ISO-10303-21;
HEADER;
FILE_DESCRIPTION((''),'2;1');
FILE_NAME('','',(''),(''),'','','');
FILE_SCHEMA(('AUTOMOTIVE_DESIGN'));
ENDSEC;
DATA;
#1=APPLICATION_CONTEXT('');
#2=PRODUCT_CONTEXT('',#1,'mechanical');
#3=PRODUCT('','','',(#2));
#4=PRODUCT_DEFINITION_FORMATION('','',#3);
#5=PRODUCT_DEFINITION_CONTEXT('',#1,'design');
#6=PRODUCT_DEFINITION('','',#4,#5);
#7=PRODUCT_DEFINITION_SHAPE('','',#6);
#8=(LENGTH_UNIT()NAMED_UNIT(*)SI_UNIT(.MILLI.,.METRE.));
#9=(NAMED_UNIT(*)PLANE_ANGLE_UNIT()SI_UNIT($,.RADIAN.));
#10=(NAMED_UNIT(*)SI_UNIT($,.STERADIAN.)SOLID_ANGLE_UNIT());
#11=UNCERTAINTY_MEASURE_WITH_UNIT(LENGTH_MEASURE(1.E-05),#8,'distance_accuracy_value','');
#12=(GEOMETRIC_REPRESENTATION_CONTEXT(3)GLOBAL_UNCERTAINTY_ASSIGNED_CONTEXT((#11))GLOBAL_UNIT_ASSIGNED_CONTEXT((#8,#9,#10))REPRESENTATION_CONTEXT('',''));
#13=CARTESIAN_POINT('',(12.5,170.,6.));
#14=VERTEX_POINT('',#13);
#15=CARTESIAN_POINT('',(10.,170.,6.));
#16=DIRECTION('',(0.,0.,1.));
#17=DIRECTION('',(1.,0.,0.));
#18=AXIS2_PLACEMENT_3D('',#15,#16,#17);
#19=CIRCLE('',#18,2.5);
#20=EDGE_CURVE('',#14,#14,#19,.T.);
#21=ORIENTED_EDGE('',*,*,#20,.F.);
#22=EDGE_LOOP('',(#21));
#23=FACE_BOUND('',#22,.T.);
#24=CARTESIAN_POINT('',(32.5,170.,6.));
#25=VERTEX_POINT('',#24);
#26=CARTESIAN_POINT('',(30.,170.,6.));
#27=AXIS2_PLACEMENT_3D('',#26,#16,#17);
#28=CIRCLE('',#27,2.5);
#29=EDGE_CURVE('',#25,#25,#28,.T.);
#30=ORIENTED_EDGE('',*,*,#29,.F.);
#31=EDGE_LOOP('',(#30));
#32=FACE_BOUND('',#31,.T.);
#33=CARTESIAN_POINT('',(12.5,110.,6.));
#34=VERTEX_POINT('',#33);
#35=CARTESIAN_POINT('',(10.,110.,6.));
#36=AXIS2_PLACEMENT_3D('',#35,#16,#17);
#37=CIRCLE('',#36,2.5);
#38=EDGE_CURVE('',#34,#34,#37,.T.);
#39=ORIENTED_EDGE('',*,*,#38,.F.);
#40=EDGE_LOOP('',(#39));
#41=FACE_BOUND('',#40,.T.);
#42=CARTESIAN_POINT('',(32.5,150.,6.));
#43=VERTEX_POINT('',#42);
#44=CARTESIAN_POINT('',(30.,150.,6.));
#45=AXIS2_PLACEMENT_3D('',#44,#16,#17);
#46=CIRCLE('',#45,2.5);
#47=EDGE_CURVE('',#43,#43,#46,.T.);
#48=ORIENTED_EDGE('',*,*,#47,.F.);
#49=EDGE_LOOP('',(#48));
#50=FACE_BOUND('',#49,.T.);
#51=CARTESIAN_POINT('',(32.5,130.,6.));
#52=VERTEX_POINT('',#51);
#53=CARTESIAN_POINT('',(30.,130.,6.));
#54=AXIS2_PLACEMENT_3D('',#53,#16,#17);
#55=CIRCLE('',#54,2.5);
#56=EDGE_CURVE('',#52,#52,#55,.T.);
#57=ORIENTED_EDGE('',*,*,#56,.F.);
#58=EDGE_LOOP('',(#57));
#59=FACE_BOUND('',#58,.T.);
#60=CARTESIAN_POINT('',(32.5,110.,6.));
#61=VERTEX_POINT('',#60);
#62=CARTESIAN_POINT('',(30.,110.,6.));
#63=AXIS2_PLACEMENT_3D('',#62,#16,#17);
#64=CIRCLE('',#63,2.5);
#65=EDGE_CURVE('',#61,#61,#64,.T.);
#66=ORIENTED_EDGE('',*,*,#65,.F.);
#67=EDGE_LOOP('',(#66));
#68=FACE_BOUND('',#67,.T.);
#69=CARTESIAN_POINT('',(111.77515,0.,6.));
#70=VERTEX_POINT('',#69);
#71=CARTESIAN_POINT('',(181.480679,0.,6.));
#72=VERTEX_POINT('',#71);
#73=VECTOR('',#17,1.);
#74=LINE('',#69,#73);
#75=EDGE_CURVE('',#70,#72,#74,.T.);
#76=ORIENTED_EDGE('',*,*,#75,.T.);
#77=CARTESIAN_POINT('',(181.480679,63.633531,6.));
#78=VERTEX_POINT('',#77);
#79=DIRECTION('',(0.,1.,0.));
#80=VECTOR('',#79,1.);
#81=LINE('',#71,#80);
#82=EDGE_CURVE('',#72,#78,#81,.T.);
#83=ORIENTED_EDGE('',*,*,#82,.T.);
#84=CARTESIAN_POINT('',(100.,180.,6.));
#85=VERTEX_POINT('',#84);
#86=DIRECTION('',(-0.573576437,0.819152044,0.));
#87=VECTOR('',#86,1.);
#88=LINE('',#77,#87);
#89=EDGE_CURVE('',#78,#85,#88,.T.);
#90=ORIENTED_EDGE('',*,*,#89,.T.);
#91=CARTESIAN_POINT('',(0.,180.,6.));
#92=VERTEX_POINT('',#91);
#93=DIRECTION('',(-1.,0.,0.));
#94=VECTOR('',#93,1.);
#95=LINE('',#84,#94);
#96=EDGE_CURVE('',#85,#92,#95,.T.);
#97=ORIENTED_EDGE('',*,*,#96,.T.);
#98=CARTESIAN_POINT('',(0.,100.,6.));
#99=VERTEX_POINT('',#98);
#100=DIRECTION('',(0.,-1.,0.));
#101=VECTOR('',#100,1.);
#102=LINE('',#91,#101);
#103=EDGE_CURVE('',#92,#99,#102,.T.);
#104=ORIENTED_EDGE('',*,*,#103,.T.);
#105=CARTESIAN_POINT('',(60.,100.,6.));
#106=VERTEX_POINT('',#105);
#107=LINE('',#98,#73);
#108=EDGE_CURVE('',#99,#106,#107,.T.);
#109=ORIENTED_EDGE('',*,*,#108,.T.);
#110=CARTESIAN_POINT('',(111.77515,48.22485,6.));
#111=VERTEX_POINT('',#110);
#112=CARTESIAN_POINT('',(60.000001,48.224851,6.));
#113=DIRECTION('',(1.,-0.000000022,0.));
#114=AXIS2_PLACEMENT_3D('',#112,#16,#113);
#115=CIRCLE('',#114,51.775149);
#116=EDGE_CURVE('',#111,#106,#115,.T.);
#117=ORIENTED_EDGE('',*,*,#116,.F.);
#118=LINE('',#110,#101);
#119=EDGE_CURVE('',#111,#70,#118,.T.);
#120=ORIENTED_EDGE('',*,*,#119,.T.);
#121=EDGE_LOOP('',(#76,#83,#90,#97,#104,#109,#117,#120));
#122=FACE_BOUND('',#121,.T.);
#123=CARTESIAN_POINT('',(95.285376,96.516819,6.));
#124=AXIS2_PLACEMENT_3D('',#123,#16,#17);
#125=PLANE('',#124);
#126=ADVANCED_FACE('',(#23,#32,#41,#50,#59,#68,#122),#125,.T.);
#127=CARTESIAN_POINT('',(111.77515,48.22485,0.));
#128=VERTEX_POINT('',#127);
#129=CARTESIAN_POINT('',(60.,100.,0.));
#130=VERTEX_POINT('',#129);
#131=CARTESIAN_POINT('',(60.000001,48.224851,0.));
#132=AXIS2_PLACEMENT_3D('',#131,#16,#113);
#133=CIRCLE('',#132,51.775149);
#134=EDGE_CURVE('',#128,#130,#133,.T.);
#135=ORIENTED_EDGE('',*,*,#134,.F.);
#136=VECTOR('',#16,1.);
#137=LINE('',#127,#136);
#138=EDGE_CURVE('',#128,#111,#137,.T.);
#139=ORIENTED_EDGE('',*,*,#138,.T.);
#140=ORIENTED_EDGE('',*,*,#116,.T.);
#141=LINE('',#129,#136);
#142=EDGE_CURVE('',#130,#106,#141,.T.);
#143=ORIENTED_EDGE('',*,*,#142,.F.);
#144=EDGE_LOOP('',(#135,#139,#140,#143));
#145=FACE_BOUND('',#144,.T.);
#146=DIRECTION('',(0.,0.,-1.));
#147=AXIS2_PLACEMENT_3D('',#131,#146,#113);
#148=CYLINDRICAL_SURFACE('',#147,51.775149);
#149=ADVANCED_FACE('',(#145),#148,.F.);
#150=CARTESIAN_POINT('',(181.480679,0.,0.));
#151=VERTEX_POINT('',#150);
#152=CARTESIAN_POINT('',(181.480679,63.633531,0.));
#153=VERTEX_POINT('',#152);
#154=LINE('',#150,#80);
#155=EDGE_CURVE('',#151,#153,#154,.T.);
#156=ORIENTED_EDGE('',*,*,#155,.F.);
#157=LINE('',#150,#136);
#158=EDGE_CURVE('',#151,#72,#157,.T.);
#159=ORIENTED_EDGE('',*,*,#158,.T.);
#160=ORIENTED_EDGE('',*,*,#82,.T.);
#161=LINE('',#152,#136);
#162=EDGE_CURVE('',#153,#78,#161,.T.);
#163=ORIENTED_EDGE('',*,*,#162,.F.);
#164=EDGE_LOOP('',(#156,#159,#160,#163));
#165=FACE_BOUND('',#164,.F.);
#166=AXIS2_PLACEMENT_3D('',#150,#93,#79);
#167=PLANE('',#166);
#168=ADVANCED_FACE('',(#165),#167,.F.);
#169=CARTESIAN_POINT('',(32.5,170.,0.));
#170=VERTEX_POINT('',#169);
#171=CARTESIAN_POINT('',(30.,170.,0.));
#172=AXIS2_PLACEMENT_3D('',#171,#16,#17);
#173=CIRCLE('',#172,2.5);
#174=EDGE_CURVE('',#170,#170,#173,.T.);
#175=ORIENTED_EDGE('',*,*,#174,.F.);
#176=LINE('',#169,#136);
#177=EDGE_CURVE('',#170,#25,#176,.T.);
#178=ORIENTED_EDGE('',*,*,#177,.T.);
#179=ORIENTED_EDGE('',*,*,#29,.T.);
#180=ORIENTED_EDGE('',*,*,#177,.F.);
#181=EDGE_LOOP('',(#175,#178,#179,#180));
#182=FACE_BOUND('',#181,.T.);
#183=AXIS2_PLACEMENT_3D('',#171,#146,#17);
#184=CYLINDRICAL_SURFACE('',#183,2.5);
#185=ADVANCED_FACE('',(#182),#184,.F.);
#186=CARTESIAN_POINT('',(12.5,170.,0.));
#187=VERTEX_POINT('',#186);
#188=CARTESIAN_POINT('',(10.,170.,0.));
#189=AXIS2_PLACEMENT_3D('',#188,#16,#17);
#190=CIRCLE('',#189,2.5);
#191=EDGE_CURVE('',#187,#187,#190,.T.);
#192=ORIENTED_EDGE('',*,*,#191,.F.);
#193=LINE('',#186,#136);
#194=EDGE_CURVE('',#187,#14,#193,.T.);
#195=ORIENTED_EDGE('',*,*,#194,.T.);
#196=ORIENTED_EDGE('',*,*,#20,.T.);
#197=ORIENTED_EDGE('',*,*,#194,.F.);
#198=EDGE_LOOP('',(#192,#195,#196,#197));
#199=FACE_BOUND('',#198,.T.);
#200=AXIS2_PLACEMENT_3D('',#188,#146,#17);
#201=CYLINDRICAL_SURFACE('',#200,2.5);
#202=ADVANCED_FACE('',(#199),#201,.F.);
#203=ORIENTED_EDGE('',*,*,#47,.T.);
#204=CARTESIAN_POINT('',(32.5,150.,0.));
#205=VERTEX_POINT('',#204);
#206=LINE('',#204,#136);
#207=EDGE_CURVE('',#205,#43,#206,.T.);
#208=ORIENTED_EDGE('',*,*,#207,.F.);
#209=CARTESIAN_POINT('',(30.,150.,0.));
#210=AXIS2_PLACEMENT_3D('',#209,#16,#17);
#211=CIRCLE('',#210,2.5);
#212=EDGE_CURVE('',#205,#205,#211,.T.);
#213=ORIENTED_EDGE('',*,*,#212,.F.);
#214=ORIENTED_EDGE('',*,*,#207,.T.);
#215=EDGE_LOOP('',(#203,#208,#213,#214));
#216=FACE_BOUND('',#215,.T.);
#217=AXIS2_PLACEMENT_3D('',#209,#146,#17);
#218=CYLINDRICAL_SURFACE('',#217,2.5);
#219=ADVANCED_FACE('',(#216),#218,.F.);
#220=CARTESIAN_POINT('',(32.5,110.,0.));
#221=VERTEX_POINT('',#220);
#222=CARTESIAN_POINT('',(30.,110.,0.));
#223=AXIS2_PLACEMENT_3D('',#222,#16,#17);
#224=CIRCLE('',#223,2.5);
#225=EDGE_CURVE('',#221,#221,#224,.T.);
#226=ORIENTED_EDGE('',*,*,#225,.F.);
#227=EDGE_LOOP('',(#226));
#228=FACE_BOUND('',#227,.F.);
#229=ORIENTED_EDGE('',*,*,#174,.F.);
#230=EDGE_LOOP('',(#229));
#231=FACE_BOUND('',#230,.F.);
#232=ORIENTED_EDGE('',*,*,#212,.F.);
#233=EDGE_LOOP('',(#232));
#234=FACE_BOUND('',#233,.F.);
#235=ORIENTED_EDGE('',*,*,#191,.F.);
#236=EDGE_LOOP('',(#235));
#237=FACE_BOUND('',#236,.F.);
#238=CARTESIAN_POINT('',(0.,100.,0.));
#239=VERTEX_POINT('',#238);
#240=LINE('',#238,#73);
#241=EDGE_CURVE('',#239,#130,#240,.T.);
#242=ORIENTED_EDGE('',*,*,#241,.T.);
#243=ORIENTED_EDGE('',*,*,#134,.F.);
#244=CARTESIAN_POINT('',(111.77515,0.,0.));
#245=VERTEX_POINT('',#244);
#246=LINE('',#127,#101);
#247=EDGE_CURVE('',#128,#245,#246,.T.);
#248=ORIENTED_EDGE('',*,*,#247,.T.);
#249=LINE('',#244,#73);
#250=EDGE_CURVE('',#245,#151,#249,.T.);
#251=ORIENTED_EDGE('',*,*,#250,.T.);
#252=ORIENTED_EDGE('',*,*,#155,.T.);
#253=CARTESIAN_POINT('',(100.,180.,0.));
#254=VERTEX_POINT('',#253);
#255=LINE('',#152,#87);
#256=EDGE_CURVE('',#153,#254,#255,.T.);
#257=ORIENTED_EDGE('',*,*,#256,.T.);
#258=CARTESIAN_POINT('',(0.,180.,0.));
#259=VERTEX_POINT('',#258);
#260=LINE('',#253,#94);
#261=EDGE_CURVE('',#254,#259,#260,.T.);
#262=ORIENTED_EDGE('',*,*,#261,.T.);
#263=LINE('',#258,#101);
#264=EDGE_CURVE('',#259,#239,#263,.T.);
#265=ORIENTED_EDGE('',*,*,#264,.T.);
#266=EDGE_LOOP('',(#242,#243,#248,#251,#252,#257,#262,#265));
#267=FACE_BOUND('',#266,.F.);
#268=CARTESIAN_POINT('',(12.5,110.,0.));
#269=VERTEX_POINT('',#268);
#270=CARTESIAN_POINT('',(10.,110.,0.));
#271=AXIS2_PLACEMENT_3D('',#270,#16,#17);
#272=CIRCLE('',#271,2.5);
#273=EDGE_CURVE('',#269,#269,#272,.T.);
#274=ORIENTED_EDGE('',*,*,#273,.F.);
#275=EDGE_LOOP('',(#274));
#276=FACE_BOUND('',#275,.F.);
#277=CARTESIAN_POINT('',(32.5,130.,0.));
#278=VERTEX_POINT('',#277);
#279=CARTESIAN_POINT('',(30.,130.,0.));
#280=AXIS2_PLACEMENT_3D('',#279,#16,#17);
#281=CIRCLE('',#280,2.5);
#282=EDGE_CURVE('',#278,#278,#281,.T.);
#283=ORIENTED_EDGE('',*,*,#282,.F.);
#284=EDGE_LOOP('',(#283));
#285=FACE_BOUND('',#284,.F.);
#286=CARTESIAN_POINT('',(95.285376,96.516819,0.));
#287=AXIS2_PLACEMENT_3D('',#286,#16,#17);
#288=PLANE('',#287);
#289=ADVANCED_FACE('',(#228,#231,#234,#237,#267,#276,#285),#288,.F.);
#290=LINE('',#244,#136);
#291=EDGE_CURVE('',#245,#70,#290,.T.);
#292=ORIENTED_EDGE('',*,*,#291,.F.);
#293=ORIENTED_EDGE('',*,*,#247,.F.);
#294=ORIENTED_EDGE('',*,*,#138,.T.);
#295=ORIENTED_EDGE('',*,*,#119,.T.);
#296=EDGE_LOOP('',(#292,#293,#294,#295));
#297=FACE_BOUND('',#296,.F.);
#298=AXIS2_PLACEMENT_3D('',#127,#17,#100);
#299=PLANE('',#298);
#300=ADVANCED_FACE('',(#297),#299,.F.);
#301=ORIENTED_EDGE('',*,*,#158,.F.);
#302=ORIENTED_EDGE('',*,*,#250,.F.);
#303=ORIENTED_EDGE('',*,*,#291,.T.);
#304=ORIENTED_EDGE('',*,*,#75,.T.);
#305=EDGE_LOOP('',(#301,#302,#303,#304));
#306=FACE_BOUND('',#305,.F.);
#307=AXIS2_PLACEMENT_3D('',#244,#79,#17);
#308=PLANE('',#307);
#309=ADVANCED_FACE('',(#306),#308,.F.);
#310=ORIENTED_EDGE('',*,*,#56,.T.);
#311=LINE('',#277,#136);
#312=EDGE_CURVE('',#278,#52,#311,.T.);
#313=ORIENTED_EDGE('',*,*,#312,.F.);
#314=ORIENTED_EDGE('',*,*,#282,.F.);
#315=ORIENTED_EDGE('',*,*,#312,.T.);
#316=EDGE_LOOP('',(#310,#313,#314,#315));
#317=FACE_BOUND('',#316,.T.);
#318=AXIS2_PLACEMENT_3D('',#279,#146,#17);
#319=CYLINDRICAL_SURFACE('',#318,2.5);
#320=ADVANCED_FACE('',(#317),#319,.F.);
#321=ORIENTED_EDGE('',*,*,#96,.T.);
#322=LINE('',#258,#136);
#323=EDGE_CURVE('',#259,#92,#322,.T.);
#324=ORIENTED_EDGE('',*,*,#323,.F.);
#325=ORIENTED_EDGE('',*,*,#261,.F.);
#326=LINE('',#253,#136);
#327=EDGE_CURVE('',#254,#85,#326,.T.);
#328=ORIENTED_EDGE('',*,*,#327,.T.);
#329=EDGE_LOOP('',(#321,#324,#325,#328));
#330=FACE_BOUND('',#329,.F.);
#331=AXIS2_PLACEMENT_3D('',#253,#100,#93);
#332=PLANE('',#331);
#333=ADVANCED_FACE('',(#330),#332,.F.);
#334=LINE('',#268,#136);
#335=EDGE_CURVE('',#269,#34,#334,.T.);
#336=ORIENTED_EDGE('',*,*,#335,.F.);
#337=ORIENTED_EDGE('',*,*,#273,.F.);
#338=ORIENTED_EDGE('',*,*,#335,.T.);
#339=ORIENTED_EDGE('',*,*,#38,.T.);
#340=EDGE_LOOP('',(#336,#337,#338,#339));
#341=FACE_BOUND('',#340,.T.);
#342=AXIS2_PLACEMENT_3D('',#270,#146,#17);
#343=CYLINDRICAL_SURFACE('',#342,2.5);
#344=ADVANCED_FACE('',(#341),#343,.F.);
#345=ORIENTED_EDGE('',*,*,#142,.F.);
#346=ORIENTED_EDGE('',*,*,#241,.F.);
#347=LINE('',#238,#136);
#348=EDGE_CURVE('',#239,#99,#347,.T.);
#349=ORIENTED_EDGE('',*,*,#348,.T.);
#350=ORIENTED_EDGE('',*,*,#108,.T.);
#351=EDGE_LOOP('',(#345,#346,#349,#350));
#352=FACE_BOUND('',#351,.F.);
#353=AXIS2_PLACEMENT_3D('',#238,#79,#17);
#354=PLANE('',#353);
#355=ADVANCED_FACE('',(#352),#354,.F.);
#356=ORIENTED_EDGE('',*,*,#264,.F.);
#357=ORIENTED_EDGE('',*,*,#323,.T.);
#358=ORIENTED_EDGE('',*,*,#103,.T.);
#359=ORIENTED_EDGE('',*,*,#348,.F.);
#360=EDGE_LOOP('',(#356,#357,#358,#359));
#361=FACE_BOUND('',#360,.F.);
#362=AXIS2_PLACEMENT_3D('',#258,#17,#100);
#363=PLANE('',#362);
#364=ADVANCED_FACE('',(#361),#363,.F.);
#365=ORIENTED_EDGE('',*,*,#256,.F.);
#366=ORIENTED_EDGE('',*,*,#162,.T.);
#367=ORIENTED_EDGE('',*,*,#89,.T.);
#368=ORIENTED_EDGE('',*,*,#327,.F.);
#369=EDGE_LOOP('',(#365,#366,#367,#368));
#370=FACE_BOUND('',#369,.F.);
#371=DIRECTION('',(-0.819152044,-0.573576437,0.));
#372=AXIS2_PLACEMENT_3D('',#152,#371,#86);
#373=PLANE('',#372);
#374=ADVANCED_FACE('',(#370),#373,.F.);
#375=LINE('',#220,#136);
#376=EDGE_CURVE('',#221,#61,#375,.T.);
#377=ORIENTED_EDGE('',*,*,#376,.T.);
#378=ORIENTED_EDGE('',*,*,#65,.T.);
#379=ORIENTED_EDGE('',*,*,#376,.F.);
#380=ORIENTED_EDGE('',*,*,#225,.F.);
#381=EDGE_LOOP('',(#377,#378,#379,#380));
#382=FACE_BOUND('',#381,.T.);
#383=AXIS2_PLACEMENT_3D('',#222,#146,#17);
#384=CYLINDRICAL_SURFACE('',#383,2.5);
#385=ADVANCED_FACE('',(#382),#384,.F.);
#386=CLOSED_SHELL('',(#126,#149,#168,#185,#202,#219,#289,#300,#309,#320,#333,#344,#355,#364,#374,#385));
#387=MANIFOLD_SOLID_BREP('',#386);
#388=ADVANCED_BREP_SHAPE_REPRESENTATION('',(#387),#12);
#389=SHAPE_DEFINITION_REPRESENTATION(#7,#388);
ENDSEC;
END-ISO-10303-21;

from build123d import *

# Parameters (mm, degrees)
SKETCH_R  = 2.5
PAD_DEPTH = 6


with BuildPart() as part:
    # Sketch → Pad (new body)
    with BuildSketch(Plane.XY):
        with BuildLine():
            Line((181.480679, 0), (181.480679, 63.633531))
            Line((181.480679, 63.633531), (100, 180))
            Line((100, 180), (0, 180))
            Line((0, 180), (0, 100))
            Line((0, 100), (60, 100))
            ThreePointArc((111.77515, 48.22485), (96.61056, 84.83541), (60, 100))
            Line((111.77515, 48.22485), (111.77515, 0))
            Line((111.77515, 0), (181.480679, 0))
        make_face()
        with Locations((10, 170)):
            Circle(SKETCH_R, mode=Mode.SUBTRACT)
        with Locations((30, 170)):
            Circle(SKETCH_R, mode=Mode.SUBTRACT)
        with Locations((30, 150)):
            Circle(SKETCH_R, mode=Mode.SUBTRACT)
        with Locations((30, 130)):
            Circle(SKETCH_R, mode=Mode.SUBTRACT)
        with Locations((30, 110)):
            Circle(SKETCH_R, mode=Mode.SUBTRACT)
        with Locations((10, 110)):
            Circle(SKETCH_R, mode=Mode.SUBTRACT)
    extrude(amount=PAD_DEPTH)


solid = part.part
